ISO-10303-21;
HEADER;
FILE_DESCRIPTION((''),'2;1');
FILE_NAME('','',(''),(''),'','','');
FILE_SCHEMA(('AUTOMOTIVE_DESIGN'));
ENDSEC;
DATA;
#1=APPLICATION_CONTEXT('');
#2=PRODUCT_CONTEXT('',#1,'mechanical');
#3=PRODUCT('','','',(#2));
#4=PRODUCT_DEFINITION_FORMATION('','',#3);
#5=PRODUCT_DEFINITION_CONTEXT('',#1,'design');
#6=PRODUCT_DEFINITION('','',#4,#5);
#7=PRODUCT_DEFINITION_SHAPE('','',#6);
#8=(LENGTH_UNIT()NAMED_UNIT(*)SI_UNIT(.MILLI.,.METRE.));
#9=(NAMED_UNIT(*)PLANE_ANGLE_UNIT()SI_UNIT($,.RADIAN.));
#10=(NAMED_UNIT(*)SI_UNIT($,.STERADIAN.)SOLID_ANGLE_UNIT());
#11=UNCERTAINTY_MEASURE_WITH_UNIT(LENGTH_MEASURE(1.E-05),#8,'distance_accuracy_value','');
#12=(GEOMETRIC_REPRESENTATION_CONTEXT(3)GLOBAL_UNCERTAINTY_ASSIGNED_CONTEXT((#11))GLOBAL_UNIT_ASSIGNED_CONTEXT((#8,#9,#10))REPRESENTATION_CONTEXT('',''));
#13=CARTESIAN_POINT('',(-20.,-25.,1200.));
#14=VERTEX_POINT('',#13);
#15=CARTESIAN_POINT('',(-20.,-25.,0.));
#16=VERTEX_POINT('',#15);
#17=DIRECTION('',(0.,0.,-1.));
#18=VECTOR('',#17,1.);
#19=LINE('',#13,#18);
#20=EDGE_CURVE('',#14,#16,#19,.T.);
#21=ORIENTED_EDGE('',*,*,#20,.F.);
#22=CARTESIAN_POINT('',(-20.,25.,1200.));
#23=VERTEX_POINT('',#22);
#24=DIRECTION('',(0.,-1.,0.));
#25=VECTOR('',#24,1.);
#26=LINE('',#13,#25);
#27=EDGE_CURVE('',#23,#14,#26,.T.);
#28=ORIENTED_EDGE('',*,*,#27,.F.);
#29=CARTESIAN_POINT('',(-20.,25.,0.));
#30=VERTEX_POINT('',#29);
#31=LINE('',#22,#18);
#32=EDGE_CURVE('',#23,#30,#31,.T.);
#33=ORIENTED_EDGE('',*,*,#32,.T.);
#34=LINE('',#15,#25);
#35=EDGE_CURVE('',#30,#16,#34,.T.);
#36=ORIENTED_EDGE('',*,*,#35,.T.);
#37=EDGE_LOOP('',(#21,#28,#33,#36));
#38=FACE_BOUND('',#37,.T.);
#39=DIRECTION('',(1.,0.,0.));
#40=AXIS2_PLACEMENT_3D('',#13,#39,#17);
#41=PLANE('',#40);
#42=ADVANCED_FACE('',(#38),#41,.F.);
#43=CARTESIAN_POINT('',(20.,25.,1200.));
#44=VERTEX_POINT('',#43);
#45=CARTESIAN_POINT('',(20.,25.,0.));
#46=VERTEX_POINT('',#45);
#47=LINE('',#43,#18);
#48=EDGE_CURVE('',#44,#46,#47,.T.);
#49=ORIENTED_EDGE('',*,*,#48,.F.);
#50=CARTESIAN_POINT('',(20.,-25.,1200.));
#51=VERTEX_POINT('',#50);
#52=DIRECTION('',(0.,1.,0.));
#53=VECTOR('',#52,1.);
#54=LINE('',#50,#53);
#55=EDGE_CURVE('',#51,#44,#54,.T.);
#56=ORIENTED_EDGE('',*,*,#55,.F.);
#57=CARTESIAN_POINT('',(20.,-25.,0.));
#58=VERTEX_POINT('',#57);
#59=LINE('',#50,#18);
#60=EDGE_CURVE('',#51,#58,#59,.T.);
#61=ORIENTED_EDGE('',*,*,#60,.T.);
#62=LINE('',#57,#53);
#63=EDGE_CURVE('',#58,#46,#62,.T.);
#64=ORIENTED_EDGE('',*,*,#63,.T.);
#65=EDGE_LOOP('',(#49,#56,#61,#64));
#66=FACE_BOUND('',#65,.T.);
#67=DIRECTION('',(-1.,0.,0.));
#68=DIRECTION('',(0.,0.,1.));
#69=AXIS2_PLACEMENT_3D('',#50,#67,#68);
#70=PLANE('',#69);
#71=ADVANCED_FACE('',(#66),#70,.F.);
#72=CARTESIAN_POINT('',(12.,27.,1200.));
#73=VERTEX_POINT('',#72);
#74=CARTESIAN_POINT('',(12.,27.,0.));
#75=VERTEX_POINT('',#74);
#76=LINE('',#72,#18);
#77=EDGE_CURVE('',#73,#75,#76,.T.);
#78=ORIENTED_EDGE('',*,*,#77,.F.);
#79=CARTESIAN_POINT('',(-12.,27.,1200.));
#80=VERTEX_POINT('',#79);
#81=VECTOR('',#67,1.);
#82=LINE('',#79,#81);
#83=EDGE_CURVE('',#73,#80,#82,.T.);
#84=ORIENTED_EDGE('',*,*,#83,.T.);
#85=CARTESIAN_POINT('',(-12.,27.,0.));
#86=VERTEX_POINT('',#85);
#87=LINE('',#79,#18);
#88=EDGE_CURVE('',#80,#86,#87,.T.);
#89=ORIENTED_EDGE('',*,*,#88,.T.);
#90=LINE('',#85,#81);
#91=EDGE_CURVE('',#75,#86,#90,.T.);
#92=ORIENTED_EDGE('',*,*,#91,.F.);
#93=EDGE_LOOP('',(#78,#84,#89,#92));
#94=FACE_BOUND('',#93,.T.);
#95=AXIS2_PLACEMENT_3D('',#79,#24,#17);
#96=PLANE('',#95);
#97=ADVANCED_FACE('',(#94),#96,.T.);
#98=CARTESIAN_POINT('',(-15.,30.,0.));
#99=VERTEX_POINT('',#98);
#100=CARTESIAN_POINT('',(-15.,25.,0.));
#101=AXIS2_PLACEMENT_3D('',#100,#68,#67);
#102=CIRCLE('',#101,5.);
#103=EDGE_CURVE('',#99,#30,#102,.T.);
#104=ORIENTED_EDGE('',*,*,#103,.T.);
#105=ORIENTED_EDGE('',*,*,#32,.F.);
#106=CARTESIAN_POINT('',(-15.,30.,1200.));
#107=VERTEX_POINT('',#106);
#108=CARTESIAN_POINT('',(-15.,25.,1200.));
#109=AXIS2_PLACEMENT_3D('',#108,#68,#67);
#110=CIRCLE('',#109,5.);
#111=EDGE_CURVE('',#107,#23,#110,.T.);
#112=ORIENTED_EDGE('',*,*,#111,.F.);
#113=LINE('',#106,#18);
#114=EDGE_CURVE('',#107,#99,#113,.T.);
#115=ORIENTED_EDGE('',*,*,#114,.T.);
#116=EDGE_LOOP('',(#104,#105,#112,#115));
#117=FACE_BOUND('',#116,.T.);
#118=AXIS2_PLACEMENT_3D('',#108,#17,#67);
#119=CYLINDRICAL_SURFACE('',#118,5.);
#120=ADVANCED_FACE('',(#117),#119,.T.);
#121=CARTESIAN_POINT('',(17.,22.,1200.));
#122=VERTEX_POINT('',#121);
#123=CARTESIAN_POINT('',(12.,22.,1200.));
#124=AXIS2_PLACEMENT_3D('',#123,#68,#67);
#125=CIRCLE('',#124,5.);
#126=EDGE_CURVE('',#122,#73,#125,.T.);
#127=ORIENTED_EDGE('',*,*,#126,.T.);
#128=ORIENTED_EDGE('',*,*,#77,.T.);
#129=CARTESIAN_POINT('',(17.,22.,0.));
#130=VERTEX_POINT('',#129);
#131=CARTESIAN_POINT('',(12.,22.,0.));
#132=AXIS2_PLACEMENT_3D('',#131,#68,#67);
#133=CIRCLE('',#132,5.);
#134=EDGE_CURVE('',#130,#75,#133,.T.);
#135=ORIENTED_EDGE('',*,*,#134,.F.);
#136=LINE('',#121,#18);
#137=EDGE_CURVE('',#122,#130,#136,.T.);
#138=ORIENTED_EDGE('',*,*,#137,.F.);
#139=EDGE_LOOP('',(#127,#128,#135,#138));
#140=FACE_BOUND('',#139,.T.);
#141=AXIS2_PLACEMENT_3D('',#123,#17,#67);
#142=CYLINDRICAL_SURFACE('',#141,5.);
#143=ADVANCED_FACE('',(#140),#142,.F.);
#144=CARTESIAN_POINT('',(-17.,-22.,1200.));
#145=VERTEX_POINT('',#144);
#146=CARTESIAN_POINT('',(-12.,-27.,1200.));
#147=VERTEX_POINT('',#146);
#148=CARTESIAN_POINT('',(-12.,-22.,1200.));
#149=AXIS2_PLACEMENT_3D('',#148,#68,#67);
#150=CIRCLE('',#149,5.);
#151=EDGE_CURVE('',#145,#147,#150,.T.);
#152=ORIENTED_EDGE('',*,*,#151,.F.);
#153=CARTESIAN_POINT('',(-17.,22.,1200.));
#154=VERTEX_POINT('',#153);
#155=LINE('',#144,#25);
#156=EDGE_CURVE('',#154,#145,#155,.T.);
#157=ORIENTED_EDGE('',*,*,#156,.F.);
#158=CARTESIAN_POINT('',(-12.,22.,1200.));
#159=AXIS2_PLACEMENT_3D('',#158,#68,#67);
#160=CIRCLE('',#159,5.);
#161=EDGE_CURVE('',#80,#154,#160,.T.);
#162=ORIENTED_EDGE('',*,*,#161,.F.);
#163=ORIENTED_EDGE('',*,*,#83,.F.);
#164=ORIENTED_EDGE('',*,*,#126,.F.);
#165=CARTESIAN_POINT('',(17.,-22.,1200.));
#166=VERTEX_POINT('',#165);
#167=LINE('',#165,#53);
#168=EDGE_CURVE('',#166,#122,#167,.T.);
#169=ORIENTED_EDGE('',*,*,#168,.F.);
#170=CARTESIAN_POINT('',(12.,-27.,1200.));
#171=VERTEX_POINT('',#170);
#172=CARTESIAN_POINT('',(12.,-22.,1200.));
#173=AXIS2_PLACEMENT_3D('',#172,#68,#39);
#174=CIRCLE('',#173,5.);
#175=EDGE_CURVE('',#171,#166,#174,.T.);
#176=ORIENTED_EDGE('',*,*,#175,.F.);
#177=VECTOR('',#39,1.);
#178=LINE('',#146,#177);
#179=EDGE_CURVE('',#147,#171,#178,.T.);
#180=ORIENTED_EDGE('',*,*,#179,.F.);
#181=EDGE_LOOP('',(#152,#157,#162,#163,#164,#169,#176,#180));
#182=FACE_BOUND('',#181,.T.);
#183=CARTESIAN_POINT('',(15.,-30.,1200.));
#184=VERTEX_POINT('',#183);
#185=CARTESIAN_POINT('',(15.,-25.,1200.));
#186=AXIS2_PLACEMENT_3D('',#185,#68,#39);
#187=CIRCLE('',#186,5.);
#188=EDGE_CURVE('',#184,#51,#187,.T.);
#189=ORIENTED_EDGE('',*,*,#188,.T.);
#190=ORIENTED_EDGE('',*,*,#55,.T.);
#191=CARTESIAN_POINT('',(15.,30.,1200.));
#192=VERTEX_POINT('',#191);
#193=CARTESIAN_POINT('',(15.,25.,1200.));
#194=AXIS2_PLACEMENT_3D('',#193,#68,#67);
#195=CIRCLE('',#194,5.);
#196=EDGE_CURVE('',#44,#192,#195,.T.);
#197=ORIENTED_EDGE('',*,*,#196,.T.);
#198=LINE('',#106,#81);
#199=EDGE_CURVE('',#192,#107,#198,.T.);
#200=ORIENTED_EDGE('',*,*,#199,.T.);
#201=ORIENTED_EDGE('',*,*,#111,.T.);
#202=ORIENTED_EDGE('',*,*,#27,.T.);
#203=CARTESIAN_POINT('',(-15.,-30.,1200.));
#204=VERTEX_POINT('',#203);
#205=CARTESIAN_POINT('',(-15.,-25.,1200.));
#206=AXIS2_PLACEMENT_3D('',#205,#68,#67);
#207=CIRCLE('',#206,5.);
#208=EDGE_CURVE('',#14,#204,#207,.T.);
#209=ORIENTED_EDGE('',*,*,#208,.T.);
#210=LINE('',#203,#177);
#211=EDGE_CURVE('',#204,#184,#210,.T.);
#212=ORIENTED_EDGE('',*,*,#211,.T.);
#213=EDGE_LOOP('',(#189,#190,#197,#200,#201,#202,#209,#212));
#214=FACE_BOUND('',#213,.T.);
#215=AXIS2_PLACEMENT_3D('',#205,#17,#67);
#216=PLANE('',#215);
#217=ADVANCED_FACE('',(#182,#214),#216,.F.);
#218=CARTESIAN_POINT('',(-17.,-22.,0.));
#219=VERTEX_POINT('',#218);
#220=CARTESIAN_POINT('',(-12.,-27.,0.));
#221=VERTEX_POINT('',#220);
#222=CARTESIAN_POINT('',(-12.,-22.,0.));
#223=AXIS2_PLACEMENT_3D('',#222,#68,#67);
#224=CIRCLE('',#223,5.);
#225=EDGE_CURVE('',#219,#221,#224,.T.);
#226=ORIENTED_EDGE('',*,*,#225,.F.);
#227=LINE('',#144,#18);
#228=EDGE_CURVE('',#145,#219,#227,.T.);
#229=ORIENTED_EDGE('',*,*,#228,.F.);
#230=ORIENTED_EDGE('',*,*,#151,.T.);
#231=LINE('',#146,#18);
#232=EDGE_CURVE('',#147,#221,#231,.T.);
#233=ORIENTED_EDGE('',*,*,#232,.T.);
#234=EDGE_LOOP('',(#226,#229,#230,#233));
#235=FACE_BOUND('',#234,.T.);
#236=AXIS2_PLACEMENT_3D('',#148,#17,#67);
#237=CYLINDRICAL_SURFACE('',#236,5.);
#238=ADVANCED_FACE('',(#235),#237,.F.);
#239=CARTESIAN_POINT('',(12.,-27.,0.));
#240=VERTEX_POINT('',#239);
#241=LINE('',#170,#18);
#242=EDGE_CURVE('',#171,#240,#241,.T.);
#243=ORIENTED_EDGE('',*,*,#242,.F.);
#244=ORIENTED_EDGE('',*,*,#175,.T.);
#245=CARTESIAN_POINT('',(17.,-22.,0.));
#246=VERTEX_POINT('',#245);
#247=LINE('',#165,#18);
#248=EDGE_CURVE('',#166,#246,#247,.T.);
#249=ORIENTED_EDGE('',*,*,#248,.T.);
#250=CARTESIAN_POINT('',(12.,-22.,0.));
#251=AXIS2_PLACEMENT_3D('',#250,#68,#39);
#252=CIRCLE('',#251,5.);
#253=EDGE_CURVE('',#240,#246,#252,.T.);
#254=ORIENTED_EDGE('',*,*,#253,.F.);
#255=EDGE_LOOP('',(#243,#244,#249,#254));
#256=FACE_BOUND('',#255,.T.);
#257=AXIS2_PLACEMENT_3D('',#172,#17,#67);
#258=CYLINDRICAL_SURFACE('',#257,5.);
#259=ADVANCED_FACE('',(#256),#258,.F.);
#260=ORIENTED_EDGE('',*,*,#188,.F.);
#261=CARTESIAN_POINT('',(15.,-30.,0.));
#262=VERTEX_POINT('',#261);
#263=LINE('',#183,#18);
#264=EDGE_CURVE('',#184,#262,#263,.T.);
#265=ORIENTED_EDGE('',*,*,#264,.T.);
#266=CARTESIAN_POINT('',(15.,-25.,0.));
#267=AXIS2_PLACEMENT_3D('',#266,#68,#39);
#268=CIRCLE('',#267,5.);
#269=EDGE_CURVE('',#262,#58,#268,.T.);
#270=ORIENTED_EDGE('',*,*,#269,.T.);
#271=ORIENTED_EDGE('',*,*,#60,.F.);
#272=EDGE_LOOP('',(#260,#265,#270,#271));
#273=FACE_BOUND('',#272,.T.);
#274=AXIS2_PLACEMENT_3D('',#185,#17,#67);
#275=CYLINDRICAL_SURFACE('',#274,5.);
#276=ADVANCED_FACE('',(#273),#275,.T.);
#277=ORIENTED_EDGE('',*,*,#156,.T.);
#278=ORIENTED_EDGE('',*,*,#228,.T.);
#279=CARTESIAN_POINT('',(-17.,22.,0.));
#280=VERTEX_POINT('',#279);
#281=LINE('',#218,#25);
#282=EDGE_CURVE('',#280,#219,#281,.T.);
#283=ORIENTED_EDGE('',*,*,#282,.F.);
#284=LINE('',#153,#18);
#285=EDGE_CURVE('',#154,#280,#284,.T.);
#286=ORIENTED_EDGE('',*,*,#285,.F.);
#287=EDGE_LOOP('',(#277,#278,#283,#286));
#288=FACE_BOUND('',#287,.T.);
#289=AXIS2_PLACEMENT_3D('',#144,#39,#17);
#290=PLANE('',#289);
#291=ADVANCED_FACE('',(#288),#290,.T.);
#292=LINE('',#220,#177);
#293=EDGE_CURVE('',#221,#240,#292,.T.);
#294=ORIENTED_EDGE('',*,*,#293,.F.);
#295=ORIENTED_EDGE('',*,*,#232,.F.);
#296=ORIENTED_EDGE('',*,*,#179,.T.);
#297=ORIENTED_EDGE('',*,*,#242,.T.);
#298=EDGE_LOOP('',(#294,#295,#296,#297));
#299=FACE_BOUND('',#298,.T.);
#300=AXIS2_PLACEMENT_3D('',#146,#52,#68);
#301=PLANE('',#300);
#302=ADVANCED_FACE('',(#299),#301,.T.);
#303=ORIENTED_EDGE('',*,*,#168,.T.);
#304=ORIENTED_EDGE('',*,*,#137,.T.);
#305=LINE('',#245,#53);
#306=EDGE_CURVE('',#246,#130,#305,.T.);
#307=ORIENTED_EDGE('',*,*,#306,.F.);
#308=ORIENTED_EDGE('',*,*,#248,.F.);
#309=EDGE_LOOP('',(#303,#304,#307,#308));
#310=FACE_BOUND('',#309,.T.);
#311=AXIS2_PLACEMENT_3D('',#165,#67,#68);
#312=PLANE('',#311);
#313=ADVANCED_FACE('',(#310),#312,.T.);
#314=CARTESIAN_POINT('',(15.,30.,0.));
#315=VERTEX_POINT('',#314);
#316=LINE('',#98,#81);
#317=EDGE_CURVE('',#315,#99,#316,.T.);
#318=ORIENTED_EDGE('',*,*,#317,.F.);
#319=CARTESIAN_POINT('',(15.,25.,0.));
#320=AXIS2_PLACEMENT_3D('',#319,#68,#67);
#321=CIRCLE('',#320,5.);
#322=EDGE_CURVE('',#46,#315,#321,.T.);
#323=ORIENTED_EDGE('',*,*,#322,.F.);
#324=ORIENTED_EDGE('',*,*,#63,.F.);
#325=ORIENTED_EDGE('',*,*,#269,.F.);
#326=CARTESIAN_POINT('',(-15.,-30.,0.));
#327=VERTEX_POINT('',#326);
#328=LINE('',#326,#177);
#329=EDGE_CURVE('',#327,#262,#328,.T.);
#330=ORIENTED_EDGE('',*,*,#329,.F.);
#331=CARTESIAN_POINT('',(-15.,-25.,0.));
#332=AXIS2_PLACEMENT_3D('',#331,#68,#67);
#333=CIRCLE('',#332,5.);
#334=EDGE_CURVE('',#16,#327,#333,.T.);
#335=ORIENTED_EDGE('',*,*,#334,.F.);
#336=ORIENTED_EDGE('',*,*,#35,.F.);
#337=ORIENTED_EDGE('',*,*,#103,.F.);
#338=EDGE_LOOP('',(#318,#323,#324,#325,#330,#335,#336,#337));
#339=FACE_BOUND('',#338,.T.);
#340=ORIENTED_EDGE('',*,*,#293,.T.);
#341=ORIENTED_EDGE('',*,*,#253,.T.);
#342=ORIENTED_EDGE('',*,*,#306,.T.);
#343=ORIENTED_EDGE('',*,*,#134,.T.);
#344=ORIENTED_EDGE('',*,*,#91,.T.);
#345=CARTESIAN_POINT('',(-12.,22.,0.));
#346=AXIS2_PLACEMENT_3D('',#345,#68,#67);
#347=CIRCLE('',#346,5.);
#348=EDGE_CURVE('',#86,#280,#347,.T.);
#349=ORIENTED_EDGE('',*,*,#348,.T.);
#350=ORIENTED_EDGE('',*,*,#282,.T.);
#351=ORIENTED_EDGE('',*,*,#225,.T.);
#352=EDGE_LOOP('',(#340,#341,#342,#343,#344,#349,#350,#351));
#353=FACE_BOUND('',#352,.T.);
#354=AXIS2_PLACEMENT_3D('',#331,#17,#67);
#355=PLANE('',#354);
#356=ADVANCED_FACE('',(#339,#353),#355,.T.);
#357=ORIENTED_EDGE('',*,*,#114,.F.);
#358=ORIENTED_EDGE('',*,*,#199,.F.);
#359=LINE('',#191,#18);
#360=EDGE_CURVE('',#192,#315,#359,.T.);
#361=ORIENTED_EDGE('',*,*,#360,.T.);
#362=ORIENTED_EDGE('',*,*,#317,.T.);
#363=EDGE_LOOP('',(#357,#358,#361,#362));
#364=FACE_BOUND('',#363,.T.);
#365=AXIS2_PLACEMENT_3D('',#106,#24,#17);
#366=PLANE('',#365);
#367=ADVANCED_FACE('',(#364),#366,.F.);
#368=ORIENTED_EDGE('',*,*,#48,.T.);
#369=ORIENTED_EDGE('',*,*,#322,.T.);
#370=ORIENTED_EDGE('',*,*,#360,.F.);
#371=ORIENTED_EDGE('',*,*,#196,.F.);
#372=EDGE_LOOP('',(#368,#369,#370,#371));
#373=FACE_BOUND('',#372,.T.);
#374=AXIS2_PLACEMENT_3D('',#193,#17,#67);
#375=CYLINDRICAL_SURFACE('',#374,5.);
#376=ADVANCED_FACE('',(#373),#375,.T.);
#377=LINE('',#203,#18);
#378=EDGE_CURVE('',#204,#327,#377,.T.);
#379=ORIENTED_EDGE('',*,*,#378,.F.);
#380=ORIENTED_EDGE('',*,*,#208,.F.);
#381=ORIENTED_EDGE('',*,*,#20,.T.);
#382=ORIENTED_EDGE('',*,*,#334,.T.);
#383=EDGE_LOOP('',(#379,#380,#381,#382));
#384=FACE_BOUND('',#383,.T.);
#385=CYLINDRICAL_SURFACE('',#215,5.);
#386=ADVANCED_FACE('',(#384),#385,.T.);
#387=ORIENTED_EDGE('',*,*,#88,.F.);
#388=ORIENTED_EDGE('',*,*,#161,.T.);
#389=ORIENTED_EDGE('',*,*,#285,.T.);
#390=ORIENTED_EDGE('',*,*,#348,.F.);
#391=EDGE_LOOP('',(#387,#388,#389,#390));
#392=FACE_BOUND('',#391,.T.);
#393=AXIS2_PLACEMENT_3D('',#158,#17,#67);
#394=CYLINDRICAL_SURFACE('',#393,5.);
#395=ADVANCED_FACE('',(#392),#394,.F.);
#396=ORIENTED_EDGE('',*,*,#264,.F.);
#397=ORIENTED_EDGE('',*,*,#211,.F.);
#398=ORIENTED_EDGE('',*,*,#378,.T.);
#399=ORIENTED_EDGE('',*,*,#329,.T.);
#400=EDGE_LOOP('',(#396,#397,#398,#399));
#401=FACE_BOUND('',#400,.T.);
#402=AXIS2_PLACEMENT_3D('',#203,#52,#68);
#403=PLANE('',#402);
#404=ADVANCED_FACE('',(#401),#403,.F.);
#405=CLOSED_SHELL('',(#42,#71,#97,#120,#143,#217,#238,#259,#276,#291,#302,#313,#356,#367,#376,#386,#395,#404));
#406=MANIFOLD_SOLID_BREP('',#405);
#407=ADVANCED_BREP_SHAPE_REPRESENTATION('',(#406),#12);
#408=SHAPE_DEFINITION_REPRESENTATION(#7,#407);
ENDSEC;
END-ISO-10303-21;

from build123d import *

# Parameters (mm, degrees)
SALIENTE_EXTRUIR1_DEPTH = 1200


with BuildPart() as part:
    # Croquis1 → Saliente-Extruir1 (new body)
    with BuildSketch(Plane.XY):
        with BuildLine():
            Line((-15, -30), (15, -30))
            ThreePointArc((15, -30), (18.535533906, -28.535533906), (20, -25))
            Line((20, -25), (20, 25))
            ThreePointArc((20, 25), (18.535533906, 28.535533906), (15, 30))
            Line((15, 30), (-15, 30))
            ThreePointArc((-15, 30), (-18.535533906, 28.535533906), (-20, 25))
            Line((-20, 25), (-20, -25))
            ThreePointArc((-20, -25), (-18.535533906, -28.535533906), (-15, -30))
        make_face()
        with BuildLine():
            Line((-12, -27), (12, -27))
            ThreePointArc((12, -27), (15.535533906, -25.535533906), (17, -22))
            Line((17, -22), (17, 22))
            ThreePointArc((17, 22), (15.535533906, 25.535533906), (12, 27))
            Line((12, 27), (-12, 27))
            ThreePointArc((-12, 27), (-15.535533906, 25.535533906), (-17, 22))
            Line((-17, 22), (-17, -22))
            ThreePointArc((-17, -22), (-15.535533906, -25.535533906), (-12, -27))
        make_face(mode=Mode.SUBTRACT)
    extrude(amount=SALIENTE_EXTRUIR1_DEPTH)


solid = part.part
